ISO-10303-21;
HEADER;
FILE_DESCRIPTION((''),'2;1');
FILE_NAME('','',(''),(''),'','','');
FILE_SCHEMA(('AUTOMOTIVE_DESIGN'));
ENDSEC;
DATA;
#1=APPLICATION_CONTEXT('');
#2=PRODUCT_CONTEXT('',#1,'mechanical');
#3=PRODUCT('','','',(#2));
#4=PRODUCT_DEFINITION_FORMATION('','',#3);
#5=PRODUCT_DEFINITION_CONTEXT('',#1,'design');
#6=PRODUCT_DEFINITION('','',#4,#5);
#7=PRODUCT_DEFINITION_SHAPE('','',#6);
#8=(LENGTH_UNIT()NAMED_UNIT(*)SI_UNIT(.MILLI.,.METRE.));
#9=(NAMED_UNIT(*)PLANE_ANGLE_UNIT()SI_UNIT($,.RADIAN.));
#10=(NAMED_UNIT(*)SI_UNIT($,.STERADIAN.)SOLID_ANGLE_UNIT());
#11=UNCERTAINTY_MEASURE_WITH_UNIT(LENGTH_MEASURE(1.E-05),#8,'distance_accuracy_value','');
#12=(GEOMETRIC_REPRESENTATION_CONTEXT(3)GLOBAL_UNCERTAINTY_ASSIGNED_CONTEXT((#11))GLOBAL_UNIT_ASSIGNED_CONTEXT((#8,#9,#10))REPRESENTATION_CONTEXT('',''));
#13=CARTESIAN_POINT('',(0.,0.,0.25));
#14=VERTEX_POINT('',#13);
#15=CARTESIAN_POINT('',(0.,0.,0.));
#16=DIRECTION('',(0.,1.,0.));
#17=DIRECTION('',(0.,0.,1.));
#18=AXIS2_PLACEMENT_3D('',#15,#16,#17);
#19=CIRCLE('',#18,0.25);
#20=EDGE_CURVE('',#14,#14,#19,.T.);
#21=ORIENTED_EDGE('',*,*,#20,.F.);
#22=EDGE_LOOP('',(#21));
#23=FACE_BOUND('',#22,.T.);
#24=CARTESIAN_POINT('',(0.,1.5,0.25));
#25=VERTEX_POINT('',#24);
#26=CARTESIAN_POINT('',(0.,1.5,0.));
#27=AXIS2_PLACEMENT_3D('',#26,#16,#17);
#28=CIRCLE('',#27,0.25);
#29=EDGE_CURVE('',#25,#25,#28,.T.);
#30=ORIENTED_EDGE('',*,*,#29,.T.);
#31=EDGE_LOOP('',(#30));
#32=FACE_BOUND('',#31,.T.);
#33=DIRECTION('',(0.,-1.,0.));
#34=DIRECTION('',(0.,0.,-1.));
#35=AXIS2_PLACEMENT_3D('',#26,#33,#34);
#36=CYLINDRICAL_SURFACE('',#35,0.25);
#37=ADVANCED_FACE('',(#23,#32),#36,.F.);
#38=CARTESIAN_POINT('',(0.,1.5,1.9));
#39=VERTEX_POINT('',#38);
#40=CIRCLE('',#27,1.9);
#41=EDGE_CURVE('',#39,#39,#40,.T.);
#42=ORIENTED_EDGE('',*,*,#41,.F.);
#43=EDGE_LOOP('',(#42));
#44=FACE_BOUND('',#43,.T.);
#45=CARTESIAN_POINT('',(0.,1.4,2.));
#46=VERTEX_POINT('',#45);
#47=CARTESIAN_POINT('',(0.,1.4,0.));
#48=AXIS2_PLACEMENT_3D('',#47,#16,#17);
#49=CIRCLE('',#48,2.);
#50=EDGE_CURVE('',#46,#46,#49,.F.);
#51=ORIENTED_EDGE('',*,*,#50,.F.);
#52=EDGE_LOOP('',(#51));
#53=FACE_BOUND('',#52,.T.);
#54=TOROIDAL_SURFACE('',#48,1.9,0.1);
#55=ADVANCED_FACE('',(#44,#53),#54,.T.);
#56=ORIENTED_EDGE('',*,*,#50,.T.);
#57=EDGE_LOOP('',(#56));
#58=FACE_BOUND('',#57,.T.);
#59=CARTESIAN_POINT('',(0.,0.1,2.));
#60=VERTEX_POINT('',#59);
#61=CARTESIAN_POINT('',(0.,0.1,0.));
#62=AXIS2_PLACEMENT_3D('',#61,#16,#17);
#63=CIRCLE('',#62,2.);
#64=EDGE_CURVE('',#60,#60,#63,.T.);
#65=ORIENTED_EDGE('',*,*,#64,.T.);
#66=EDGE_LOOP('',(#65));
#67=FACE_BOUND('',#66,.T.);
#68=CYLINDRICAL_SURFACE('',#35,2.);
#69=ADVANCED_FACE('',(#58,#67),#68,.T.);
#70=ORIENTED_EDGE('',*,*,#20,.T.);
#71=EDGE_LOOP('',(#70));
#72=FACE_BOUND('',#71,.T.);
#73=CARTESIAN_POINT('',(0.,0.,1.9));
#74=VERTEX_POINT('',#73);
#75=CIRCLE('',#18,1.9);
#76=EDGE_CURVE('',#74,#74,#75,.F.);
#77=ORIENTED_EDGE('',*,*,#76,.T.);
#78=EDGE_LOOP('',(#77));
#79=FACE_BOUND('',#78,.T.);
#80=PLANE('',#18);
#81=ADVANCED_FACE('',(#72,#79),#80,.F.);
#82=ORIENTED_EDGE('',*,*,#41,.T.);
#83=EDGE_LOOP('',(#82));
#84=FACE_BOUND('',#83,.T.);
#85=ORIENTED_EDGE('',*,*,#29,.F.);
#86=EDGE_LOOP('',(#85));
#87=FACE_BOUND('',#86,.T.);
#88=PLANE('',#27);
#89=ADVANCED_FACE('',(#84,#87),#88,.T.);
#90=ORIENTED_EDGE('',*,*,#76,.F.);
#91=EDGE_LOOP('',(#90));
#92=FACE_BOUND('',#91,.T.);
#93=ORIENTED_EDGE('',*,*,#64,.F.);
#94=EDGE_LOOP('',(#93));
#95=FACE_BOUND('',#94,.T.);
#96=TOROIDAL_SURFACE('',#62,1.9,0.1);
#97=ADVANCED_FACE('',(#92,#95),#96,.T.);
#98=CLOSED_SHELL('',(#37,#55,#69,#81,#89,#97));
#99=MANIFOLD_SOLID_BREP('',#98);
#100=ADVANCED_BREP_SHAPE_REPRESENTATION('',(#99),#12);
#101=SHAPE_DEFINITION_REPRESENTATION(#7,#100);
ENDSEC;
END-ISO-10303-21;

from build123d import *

# Parameters (mm, degrees)
SKETCH1_R           = 2
SKETCH1_R_2         = 0.25
BOSS_EXTRUDE1_DEPTH = 1.5
FILLET1_R           = 0.1


with BuildPart() as part:
    # Sketch1 → Boss-Extrude1 (new body)
    with BuildSketch(Plane(origin=(0, 0, 0), x_dir=(1, 0, 0), z_dir=(0, 1, 0))):
        Circle(SKETCH1_R)
        Circle(SKETCH1_R_2, mode=Mode.SUBTRACT)
    extrude(amount=BOSS_EXTRUDE1_DEPTH)

    # Fillet1
    fillet1_edges = [part.edges().sort_by_distance(p)[0] for p in [
        (-2, 0, 0),
        (-2, 1.5, 0),
    ]]
    fillet(fillet1_edges, radius=FILLET1_R)


solid = part.part
